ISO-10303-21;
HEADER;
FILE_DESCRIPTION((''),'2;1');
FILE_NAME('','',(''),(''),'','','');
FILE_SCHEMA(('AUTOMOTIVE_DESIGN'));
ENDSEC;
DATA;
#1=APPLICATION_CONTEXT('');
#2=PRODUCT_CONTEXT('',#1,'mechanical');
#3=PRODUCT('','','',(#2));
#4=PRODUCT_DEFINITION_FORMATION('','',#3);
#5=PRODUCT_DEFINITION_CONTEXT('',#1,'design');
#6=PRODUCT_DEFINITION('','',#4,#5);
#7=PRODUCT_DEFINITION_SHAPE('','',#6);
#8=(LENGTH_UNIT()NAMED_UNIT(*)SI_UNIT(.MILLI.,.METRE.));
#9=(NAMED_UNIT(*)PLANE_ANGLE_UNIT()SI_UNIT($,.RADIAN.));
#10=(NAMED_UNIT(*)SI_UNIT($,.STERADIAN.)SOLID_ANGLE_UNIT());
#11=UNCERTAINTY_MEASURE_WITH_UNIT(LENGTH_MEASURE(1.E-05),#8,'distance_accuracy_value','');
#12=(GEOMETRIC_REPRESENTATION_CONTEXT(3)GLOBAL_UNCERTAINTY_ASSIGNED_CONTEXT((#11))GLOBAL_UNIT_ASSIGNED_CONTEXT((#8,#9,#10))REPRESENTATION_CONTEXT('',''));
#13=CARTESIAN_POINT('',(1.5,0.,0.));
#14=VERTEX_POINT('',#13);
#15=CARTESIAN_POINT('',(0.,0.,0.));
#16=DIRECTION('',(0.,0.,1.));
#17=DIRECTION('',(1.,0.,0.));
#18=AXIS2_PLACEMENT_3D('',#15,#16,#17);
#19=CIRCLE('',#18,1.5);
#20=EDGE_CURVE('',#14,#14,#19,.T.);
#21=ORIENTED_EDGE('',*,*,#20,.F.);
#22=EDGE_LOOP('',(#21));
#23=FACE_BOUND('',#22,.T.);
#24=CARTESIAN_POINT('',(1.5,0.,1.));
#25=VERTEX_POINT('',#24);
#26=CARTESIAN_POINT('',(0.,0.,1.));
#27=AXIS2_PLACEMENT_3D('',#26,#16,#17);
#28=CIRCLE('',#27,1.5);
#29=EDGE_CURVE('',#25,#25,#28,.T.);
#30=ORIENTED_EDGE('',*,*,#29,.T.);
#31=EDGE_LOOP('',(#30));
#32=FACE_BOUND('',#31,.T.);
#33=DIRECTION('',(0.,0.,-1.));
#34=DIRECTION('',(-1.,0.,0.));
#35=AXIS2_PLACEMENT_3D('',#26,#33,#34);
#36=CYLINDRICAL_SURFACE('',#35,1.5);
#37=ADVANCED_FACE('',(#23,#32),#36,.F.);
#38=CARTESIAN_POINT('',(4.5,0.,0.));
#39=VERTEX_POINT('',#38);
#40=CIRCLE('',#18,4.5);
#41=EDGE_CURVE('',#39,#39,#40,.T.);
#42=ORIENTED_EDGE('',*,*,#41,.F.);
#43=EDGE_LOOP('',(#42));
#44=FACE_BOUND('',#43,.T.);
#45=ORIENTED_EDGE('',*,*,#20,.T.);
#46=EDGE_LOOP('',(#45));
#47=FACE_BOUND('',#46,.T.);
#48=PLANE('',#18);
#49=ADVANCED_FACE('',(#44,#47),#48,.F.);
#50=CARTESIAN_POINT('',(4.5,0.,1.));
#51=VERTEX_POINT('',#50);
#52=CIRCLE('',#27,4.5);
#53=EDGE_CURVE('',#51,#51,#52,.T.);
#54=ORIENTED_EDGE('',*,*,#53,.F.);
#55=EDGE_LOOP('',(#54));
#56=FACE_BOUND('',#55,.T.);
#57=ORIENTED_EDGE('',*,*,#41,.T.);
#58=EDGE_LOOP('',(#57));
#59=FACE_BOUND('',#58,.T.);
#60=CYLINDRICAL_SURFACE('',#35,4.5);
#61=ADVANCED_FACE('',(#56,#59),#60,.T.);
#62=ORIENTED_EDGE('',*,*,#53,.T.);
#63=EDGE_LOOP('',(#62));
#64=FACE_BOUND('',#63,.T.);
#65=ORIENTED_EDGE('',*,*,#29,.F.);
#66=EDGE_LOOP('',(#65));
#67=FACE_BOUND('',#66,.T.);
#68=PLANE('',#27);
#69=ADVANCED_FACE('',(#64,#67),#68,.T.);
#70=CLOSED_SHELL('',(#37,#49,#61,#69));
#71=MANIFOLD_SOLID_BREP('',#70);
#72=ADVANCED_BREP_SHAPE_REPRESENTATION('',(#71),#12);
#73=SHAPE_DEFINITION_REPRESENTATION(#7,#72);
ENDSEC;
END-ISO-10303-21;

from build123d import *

# Parameters (mm, degrees)
SKETCH_1_R      = 4.5
SKETCH_1_R_2    = 1.5
EXTRUDE_1_DEPTH = 1


with BuildPart() as part:
    # 草图1 → 凸台-拉伸1 (new body)
    with BuildSketch(Plane.XY):
        Circle(SKETCH_1_R)
        Circle(SKETCH_1_R_2, mode=Mode.SUBTRACT)
    extrude(amount=EXTRUDE_1_DEPTH)


solid = part.part
